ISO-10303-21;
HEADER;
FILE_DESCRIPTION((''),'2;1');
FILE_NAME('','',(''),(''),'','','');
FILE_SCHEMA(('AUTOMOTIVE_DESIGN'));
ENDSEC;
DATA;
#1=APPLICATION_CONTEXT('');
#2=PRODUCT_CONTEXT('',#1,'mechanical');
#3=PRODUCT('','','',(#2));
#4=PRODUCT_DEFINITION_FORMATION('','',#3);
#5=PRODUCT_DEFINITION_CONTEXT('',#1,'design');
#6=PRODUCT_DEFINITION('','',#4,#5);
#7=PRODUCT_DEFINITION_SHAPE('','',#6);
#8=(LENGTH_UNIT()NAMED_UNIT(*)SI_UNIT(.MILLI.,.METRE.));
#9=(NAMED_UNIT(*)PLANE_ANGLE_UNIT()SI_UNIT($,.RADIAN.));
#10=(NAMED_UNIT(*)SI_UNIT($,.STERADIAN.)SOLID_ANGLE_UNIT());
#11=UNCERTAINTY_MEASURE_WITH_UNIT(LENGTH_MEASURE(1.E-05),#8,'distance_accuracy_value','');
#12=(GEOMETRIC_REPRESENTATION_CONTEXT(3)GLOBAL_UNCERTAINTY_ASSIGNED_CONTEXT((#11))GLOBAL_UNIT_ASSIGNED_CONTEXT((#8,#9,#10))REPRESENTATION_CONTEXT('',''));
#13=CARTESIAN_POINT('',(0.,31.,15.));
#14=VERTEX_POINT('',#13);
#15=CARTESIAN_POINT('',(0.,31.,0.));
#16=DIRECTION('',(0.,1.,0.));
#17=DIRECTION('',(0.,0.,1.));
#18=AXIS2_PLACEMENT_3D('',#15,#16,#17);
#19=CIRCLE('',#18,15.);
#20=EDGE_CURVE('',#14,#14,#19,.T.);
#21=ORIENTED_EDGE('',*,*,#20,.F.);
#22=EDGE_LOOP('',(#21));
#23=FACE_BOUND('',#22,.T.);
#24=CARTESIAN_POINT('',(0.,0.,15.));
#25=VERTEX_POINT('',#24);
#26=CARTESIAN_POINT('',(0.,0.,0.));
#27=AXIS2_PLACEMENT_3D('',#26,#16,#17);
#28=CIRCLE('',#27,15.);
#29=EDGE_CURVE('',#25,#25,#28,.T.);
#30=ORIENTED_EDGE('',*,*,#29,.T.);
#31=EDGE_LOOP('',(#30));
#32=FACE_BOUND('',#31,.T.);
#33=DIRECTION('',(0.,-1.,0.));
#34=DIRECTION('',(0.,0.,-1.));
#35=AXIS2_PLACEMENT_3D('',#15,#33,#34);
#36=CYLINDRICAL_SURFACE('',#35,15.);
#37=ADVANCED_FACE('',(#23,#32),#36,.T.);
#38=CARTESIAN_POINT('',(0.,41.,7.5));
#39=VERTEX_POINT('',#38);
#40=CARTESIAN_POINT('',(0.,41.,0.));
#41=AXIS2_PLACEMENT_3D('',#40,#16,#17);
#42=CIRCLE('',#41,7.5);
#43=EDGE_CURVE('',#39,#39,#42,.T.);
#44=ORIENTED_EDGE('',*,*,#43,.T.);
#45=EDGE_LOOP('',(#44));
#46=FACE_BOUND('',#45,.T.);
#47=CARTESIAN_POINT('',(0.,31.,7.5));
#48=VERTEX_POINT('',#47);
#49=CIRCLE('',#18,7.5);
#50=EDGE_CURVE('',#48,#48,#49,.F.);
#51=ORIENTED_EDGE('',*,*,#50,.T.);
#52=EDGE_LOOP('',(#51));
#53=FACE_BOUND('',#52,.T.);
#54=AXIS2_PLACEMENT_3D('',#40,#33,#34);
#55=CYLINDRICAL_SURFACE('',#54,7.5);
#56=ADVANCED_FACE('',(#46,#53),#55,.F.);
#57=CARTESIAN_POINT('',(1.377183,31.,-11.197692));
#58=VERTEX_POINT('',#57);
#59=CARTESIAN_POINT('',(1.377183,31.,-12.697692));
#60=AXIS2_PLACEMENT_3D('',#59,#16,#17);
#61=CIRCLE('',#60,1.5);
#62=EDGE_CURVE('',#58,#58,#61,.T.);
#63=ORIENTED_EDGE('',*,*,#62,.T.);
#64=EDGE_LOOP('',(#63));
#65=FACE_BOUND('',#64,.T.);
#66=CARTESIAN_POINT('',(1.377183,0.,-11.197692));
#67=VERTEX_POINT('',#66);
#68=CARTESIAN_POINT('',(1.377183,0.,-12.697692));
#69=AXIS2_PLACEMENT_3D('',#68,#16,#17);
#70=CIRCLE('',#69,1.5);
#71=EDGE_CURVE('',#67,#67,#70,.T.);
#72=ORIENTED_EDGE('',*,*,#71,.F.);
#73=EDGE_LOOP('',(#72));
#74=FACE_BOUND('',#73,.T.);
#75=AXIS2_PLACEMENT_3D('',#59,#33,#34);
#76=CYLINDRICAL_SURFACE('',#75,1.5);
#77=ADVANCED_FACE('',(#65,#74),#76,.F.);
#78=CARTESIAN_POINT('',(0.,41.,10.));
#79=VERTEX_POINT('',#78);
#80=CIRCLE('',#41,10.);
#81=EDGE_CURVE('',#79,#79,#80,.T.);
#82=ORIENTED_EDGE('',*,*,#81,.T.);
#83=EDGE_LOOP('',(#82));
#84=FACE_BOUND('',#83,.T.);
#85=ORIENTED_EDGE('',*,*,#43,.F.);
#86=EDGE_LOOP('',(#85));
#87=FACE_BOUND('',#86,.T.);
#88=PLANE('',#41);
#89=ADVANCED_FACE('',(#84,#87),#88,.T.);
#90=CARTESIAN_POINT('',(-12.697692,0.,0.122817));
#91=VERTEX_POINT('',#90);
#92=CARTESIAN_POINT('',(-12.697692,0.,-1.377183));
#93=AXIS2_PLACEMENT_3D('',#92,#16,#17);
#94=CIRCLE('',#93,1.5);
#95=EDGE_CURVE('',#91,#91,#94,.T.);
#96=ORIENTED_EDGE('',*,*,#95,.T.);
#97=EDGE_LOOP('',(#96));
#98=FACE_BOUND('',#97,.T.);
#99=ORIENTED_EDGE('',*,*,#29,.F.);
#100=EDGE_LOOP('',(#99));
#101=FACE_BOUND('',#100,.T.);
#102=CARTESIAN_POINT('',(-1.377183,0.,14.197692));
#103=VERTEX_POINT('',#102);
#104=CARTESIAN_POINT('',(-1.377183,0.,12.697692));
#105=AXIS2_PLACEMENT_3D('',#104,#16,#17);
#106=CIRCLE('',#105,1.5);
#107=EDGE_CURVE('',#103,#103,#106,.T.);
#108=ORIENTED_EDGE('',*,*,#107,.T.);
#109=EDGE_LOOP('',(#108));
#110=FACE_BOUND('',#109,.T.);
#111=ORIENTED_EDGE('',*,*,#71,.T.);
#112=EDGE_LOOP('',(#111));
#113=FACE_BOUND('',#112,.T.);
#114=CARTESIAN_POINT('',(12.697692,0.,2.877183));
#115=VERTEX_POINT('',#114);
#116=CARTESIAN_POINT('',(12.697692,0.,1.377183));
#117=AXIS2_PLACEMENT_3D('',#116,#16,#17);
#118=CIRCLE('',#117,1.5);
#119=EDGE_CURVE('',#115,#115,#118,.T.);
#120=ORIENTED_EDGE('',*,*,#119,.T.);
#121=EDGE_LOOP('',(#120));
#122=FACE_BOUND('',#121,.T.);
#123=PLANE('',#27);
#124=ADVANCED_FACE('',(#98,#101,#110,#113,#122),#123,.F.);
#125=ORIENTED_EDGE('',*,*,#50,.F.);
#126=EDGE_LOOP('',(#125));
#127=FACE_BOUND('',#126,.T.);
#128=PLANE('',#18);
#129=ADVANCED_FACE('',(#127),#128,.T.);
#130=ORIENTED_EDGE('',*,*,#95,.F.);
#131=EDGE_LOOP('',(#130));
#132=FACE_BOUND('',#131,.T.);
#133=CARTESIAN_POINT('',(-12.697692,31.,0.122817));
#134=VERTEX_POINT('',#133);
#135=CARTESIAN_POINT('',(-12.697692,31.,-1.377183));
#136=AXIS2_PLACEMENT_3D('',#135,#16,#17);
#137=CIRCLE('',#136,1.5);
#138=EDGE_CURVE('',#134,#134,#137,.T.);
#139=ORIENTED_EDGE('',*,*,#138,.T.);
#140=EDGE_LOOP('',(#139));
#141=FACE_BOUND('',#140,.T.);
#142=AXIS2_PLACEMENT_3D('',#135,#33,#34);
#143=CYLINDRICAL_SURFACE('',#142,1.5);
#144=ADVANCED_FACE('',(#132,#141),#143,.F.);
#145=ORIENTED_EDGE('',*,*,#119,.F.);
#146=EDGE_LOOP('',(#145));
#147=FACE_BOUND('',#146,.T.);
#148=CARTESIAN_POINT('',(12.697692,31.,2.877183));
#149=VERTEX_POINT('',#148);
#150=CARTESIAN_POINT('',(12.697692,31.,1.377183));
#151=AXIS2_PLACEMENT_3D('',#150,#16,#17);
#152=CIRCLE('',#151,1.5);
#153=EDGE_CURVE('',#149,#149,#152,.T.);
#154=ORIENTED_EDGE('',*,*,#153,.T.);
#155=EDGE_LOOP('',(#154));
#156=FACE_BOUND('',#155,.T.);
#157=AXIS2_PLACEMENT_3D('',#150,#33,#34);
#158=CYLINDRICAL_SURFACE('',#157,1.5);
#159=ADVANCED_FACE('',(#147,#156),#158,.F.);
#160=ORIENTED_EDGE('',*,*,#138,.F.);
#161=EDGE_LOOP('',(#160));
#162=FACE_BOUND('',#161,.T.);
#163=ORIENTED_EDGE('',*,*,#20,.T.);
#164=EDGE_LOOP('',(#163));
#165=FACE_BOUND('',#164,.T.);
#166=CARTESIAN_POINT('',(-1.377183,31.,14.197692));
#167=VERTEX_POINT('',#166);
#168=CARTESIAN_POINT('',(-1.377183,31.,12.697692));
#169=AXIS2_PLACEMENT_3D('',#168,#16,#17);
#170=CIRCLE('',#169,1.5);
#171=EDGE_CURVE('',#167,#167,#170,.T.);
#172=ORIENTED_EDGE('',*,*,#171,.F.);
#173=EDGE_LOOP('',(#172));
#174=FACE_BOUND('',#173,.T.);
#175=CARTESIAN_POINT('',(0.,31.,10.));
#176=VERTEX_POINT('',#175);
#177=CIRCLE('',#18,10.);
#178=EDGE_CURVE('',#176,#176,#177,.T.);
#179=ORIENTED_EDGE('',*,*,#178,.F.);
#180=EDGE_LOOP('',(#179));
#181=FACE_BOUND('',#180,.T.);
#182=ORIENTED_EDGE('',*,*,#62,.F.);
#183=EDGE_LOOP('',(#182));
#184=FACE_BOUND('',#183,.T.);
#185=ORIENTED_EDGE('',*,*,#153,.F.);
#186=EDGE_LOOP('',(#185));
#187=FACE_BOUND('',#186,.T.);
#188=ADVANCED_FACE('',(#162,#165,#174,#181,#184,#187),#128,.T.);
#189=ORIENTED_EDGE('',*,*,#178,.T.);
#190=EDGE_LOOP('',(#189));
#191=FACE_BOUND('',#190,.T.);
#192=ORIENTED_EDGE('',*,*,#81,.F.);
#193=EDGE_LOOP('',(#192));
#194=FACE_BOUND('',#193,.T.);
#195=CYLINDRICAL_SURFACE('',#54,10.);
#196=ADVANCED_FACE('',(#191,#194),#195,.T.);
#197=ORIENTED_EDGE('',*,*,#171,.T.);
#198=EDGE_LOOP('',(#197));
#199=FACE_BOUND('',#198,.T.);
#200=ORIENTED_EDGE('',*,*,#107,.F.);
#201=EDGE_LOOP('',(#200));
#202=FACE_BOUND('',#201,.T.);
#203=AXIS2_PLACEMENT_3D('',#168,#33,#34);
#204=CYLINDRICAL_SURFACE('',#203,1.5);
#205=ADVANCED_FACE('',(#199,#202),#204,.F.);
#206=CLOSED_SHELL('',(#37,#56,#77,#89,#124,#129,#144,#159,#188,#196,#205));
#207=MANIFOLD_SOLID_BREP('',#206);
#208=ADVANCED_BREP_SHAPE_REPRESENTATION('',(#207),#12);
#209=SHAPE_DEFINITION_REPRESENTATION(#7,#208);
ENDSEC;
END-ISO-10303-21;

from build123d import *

# Parameters (mm, degrees)
SKETCH1_R           = 15
SKETCH1_R_2         = 1.5
BOSS_EXTRUDE1_DEPTH = 31
SKETCH2_R           = 10
SKETCH2_R_2         = 7.5
BOSS_EXTRUDE2_DEPTH = 10


with BuildPart() as part:
    # Sketch1 → Boss-Extrude1 (new body)
    with BuildSketch(Plane(origin=(0, 0, 0), x_dir=(1, 0, 0), z_dir=(0, 1, 0))):
        with Locations(Location((0, 0, 0), (0, 0, 270))):
            Circle(SKETCH1_R)
        with Locations(Location((-12.697691575, 1.377182715, 0), (0, 0, 270))):
            Circle(SKETCH1_R_2, mode=Mode.SUBTRACT)
        with Locations(Location((1.377182715, 12.697691575, 0), (0, 0, 270))):
            Circle(SKETCH1_R_2, mode=Mode.SUBTRACT)
        with Locations(Location((12.697691575, -1.377182715, 0), (0, 0, 270))):
            Circle(SKETCH1_R_2, mode=Mode.SUBTRACT)
        with Locations(Location((-1.377182715, -12.697691575, 0), (0, 0, 270))):
            Circle(SKETCH1_R_2, mode=Mode.SUBTRACT)
    extrude(amount=BOSS_EXTRUDE1_DEPTH)

    # Sketch2 → Boss-Extrude2 (add)
    with BuildSketch(Plane(origin=(0, 31, 0), x_dir=(1, 0, 0), z_dir=(0, 1, 0))):
        with Locations(Location((0, 0, 0), (0, 0, 270))):
            Circle(SKETCH2_R)
        with Locations(Location((0, 0, 0), (0, 0, 270))):
            Circle(SKETCH2_R_2, mode=Mode.SUBTRACT)
    extrude(amount=BOSS_EXTRUDE2_DEPTH)


solid = part.part
